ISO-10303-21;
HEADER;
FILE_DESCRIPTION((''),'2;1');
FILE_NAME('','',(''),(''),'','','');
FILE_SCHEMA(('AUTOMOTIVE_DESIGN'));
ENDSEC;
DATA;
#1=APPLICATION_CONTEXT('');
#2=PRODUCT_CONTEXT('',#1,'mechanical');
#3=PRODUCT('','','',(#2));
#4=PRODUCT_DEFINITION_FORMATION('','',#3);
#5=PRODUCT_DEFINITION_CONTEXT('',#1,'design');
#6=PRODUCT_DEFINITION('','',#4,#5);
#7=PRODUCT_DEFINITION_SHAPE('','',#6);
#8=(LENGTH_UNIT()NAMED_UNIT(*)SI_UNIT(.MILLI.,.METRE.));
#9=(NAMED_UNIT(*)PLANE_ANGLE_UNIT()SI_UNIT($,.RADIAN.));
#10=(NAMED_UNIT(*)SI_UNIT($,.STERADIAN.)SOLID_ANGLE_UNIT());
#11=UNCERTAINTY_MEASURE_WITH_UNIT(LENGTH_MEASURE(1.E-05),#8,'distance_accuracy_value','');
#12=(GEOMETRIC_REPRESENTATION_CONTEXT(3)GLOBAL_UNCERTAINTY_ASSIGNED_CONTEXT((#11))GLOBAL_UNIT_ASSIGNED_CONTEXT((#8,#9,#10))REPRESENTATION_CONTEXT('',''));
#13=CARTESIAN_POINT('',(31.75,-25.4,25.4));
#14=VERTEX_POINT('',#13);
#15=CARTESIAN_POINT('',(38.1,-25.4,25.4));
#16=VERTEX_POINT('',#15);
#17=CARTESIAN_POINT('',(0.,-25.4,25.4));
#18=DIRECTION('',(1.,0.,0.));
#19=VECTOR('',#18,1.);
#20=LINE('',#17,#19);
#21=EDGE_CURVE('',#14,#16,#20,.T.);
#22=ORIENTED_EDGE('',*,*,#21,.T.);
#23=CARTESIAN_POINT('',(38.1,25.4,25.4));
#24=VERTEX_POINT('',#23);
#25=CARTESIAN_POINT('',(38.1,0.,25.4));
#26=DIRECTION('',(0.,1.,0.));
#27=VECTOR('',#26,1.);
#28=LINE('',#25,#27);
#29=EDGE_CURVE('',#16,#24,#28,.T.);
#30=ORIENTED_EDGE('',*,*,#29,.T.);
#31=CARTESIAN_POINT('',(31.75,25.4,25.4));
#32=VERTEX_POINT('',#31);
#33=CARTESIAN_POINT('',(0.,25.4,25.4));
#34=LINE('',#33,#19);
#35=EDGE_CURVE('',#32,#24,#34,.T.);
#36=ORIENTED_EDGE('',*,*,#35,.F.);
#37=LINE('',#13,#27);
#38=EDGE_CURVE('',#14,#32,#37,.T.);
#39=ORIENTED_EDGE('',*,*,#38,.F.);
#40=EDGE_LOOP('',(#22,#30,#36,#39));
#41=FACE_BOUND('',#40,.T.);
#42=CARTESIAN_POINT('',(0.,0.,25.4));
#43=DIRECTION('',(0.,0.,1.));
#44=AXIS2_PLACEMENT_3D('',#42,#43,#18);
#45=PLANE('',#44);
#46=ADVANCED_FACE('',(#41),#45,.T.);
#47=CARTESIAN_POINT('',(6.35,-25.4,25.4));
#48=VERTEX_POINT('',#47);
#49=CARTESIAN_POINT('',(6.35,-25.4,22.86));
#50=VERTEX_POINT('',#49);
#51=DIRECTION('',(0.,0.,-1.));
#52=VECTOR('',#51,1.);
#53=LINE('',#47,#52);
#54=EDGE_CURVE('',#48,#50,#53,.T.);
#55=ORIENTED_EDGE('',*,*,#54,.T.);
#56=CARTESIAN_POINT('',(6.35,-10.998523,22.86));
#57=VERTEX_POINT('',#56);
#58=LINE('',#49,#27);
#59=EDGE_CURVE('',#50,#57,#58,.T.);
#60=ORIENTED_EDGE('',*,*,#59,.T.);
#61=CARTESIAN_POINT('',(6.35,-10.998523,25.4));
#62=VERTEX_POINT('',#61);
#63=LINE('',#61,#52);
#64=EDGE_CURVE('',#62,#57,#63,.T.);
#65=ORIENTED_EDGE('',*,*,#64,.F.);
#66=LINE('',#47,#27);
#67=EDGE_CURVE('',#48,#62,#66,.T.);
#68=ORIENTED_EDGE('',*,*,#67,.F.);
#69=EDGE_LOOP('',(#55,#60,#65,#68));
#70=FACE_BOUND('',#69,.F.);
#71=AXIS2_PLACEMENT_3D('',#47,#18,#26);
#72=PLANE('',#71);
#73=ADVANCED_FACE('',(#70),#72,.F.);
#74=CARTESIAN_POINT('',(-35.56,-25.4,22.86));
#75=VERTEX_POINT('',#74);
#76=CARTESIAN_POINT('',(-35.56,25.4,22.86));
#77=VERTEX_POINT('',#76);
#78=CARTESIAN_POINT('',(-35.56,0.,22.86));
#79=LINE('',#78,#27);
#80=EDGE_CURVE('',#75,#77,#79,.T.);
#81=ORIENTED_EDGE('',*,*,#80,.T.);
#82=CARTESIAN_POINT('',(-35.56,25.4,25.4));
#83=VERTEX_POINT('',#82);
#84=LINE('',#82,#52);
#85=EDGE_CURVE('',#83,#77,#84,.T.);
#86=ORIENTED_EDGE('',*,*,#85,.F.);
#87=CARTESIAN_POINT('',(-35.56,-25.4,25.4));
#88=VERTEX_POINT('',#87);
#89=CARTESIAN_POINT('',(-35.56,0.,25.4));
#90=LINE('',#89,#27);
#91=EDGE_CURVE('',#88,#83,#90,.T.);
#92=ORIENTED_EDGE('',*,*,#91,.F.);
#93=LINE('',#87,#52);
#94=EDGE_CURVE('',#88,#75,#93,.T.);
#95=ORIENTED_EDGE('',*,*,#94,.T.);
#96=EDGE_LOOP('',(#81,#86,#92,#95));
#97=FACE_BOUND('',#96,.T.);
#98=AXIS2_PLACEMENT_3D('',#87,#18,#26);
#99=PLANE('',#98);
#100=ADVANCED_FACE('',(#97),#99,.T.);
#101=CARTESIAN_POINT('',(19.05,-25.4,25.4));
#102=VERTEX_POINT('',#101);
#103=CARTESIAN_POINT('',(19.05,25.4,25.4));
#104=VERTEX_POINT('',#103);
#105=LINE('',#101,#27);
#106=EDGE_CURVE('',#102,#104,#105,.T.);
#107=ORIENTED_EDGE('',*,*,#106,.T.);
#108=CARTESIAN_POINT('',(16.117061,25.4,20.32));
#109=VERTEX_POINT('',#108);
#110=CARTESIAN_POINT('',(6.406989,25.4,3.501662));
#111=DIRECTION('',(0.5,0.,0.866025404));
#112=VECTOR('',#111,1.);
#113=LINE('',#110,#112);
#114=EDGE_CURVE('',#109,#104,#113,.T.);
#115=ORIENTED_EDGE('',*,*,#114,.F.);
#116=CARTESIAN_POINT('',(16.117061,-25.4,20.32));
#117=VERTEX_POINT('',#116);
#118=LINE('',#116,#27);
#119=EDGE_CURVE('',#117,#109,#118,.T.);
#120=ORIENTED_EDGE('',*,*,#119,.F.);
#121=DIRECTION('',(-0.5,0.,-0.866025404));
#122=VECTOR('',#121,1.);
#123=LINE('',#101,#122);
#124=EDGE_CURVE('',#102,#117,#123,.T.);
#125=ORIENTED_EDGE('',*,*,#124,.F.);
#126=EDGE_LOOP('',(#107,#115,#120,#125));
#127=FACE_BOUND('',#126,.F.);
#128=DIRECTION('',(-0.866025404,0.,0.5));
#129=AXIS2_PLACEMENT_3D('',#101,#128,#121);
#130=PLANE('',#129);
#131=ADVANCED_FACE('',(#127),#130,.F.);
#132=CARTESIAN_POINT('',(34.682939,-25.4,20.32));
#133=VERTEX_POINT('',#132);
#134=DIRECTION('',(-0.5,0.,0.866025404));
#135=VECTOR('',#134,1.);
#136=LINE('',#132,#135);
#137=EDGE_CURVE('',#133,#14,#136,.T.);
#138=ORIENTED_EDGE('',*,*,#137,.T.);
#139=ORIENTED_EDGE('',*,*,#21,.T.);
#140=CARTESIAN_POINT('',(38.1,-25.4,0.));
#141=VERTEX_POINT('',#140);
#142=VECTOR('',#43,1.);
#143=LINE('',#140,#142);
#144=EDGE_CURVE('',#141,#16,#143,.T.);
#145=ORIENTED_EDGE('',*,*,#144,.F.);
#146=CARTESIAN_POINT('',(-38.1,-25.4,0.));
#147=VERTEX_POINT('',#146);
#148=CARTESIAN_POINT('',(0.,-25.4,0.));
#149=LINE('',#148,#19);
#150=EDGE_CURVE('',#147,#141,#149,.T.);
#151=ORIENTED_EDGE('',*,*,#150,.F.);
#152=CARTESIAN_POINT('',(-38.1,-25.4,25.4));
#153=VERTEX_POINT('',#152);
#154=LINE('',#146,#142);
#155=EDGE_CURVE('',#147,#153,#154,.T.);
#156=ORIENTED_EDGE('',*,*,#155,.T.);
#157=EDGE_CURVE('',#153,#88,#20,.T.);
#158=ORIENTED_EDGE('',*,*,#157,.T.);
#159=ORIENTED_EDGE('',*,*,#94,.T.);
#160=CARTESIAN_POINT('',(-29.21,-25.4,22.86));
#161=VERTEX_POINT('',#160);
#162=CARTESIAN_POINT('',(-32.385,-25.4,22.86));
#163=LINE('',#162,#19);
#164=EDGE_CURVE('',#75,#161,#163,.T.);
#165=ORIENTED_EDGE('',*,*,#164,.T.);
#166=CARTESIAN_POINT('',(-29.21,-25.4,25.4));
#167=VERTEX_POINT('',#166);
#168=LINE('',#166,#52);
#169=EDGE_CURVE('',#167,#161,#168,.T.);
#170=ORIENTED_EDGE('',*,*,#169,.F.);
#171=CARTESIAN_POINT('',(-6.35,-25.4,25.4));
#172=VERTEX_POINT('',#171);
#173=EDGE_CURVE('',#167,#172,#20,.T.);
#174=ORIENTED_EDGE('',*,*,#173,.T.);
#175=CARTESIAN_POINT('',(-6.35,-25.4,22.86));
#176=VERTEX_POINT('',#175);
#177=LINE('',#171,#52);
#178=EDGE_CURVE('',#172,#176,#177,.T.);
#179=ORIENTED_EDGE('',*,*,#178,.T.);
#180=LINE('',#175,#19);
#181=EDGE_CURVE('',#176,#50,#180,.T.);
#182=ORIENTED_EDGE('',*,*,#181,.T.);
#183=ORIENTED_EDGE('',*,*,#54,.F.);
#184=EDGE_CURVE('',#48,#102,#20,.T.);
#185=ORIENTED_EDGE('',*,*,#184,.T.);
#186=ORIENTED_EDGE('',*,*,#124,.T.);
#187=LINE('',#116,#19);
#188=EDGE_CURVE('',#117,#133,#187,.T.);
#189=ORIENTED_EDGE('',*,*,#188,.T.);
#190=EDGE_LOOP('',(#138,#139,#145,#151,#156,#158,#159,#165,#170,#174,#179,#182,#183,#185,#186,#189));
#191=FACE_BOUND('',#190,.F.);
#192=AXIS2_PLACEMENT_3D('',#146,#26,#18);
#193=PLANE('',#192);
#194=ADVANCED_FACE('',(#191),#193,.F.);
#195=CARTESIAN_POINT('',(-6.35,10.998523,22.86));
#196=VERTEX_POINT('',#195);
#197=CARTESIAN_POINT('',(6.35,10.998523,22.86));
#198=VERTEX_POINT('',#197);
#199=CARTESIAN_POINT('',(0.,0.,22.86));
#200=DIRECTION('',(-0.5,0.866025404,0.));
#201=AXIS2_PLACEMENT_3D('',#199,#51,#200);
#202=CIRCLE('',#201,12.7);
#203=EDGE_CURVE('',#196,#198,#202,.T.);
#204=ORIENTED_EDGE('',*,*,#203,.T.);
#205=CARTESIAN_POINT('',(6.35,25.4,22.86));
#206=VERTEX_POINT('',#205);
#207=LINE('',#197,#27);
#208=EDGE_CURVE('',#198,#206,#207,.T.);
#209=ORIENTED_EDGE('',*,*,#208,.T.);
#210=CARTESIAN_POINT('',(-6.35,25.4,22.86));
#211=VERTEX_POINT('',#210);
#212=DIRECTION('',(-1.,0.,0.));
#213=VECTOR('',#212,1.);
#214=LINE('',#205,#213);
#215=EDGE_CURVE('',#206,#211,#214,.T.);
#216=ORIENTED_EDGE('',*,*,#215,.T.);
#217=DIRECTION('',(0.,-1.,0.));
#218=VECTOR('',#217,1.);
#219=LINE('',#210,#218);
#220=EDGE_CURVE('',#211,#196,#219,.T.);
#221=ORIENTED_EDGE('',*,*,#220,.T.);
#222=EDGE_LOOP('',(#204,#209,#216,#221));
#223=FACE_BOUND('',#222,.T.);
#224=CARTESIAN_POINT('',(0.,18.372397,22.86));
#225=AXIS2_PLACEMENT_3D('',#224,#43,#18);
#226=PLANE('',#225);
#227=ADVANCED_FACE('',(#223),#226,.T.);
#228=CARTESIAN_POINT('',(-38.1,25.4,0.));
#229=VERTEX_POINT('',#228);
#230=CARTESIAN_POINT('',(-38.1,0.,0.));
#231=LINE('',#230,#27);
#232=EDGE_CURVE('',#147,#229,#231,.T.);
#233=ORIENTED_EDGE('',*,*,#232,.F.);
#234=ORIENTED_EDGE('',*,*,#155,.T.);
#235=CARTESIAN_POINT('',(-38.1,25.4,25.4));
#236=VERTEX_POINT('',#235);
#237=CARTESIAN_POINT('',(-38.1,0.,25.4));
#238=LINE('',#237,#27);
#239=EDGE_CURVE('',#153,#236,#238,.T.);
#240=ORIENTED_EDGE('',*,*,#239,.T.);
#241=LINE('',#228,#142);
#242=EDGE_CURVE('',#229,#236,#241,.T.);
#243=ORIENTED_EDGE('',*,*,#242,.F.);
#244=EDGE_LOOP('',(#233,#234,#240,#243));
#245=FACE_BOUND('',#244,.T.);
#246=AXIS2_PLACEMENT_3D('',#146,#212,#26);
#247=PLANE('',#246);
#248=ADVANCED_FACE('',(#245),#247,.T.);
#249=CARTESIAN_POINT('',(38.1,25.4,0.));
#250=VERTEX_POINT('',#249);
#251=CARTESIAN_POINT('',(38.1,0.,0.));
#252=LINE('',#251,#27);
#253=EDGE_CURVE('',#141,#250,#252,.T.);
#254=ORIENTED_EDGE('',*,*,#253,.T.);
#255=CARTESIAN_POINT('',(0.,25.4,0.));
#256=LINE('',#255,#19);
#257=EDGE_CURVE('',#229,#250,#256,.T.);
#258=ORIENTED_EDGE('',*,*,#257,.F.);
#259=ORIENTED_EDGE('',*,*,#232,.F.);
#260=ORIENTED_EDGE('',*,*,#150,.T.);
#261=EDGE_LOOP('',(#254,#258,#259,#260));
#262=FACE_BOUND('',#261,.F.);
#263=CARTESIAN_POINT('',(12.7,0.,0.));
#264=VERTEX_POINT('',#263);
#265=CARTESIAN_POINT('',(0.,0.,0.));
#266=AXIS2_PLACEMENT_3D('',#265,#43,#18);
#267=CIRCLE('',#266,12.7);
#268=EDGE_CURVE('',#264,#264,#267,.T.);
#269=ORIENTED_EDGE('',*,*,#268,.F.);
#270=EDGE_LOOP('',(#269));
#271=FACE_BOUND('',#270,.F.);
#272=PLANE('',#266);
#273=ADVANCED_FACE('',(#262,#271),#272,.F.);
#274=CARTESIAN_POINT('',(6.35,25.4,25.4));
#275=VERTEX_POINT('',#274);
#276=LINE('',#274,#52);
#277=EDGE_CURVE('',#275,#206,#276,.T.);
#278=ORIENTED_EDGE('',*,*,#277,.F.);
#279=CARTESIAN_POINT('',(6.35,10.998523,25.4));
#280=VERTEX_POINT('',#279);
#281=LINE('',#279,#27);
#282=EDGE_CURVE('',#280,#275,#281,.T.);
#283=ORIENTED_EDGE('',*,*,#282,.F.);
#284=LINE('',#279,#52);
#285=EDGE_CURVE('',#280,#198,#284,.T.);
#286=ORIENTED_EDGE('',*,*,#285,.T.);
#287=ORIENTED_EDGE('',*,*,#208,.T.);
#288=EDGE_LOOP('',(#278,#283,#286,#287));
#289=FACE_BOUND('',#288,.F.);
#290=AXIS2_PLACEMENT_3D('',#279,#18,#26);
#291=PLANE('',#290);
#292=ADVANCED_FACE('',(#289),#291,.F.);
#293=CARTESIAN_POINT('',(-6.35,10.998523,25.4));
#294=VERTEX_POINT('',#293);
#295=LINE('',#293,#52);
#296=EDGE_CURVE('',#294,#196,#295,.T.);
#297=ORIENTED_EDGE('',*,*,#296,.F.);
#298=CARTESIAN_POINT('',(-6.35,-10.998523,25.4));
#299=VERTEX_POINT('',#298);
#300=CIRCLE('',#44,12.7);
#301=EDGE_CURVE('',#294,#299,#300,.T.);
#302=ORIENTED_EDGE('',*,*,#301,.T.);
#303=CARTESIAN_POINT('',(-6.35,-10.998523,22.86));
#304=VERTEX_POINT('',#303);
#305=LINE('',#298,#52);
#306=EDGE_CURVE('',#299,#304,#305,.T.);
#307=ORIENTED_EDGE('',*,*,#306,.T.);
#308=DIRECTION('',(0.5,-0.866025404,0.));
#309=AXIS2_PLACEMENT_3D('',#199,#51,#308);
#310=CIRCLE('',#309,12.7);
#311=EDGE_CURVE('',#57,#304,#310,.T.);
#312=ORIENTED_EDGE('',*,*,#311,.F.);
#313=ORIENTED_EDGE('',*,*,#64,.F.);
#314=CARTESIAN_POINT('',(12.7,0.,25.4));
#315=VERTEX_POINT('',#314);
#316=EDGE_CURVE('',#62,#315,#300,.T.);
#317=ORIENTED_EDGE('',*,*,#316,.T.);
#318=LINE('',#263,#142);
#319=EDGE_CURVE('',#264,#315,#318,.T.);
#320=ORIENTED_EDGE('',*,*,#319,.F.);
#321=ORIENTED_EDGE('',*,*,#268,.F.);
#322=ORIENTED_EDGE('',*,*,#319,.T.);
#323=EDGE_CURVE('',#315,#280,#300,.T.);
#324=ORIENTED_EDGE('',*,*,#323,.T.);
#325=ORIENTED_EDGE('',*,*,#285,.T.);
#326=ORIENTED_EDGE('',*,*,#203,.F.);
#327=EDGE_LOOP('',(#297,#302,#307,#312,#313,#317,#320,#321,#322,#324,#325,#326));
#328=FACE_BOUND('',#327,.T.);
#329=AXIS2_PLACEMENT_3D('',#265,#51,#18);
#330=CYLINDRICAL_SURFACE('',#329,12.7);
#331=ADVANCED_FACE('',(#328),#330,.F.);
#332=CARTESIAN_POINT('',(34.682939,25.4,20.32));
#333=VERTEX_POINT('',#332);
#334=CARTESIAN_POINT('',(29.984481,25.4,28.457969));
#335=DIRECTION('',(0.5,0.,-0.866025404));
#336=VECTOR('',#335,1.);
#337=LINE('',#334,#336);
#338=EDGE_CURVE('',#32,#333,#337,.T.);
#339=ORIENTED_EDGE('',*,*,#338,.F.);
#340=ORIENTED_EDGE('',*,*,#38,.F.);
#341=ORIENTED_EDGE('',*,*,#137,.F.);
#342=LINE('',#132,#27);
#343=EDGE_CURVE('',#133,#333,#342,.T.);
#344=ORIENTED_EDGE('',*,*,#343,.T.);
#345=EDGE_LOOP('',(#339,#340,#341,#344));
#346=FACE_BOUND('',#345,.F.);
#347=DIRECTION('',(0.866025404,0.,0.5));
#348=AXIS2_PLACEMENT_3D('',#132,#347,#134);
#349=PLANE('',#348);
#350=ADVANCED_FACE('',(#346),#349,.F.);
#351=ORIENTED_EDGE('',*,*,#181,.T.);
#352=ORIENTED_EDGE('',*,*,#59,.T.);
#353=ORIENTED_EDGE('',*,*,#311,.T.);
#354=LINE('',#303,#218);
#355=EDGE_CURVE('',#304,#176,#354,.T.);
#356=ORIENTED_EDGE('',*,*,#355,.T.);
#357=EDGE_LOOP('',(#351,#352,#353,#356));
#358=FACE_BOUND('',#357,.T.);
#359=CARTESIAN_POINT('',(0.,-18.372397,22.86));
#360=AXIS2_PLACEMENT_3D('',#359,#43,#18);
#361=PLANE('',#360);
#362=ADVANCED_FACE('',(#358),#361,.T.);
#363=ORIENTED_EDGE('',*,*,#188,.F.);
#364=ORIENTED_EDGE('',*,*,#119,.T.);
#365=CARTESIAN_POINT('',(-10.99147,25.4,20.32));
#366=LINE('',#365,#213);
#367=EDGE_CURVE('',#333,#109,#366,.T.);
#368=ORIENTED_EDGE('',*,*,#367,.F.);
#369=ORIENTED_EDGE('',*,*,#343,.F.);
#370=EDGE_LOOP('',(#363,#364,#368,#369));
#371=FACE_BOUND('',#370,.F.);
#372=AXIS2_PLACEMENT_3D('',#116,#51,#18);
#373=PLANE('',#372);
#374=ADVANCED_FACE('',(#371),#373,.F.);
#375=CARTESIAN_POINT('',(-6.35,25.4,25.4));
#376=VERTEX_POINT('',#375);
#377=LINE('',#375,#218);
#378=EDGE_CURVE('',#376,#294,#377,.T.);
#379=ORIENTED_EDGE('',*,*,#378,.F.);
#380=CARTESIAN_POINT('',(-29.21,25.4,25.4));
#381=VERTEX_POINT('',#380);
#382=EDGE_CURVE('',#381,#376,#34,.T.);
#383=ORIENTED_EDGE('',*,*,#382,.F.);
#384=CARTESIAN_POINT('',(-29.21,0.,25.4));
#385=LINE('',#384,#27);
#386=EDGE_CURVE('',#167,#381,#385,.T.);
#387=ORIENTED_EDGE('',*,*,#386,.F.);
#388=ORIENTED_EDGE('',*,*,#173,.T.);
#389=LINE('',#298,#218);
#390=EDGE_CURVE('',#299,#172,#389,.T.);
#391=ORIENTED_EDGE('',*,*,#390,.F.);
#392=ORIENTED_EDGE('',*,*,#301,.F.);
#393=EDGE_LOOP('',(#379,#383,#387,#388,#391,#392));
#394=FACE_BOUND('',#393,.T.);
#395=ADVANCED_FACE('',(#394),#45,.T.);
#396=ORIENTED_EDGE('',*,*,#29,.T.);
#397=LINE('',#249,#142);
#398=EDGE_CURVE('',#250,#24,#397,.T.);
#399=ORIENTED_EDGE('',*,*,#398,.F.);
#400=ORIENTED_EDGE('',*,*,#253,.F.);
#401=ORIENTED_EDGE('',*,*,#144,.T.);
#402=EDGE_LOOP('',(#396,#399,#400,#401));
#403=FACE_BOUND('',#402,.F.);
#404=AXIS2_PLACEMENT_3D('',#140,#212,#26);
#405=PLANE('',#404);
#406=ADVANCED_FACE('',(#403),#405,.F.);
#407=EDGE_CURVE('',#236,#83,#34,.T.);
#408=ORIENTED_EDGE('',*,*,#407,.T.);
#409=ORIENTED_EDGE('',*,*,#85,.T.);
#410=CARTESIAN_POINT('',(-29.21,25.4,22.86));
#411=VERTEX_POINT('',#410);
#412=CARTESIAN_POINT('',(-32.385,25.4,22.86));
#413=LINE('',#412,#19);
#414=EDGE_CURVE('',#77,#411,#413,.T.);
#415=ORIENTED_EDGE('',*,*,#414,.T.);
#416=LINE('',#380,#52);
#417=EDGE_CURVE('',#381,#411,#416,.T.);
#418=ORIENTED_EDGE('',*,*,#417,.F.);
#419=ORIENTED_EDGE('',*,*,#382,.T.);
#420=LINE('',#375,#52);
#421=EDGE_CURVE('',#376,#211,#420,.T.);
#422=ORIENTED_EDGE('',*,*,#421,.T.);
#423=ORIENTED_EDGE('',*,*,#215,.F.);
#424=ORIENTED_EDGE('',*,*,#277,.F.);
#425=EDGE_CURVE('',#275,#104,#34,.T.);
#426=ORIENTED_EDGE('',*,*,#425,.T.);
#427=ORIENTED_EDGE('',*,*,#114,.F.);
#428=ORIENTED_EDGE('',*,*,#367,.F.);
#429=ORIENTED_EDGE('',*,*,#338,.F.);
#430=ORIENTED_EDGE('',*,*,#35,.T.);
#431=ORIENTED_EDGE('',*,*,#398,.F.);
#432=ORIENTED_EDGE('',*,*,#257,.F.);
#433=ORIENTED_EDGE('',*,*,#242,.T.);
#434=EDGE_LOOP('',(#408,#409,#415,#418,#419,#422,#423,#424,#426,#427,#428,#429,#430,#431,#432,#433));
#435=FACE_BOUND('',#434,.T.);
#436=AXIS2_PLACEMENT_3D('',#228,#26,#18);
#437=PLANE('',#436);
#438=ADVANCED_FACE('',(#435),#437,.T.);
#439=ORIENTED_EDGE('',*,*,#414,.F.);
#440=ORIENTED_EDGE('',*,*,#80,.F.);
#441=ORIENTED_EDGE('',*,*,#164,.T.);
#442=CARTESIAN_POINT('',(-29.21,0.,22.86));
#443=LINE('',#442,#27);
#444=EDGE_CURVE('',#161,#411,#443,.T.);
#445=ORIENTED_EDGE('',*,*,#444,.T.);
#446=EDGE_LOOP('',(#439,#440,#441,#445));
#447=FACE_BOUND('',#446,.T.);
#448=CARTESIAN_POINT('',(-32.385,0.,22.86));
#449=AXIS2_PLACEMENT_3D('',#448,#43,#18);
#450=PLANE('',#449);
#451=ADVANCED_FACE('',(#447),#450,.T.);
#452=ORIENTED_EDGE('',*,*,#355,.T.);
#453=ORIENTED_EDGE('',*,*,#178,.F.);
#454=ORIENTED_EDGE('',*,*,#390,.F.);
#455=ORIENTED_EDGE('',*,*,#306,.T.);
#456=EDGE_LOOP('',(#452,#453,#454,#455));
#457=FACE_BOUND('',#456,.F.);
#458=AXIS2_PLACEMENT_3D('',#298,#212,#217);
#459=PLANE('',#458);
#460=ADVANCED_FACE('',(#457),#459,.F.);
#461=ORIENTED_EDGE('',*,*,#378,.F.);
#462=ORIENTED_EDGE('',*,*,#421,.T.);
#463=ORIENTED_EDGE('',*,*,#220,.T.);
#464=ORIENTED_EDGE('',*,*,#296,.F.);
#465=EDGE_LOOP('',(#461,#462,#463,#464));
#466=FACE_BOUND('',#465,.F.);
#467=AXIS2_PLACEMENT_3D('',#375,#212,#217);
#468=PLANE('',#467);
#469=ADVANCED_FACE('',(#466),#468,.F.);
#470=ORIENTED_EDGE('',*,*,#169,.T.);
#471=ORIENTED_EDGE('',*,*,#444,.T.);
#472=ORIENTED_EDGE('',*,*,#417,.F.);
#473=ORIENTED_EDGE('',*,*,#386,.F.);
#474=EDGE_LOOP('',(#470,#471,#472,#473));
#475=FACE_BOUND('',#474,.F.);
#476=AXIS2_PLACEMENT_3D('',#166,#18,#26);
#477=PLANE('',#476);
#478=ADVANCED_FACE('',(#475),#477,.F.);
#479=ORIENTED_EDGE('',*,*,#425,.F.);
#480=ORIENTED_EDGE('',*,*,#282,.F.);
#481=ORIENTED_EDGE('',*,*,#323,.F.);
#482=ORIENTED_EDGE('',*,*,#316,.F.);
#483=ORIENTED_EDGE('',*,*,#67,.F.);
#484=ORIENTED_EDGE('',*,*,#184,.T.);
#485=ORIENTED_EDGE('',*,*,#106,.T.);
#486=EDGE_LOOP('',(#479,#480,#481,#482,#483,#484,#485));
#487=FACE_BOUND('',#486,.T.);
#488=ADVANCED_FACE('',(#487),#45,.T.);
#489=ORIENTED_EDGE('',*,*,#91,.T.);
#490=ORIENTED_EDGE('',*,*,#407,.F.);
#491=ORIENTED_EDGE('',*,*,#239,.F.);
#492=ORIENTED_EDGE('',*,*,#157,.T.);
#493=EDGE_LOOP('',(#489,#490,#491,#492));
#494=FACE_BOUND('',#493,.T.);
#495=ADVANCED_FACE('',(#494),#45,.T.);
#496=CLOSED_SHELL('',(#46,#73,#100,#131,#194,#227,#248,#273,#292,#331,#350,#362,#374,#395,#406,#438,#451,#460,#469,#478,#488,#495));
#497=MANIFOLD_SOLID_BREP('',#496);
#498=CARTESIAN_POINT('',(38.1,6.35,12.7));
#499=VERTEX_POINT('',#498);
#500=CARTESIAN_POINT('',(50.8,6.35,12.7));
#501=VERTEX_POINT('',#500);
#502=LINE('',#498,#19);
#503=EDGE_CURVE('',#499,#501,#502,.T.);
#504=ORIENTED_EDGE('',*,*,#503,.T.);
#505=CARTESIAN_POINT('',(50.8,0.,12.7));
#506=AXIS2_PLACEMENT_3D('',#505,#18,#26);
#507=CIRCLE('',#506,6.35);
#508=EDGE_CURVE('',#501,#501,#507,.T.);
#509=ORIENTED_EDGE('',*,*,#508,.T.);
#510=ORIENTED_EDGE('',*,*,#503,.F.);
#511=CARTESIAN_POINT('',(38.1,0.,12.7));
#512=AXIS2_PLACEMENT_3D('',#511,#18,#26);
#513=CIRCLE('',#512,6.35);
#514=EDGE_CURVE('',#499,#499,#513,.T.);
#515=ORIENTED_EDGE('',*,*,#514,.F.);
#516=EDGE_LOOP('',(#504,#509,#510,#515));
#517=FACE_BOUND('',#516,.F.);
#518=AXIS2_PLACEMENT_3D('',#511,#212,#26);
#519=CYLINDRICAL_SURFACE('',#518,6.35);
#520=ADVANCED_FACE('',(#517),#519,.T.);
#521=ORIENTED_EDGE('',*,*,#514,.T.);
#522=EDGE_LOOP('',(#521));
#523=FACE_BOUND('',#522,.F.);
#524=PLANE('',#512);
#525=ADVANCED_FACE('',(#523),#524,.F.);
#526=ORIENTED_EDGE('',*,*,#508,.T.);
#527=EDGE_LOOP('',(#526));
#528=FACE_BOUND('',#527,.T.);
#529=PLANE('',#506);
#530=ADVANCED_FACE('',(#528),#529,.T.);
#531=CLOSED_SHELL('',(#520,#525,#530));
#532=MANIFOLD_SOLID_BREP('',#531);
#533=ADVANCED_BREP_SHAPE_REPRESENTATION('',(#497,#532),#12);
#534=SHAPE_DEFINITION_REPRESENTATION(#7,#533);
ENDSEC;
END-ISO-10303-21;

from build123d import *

# Parameters (mm, degrees)
F0_W     = 76.2
F0_H     = 50.8
F0_R     = 12.7
F1_DEPTH = 25.4
F2_W     = 6.35
F2_H     = 50.8
F3_DEPTH = 2.54
F5_DEPTH = 50.801
F6_R     = 6.35
F7_DEPTH = 12.7


with BuildPart() as f1:
    # F0 (on Top) → F1 (new body)
    with BuildSketch(Plane.XY):
        Rectangle(F0_W, F0_H)
        Circle(F0_R, mode=Mode.SUBTRACT)
    extrude(amount=F1_DEPTH)

    # F2 (on face) → F3 (cut)
    with BuildSketch(Plane.XY.offset(25.4)):
        with Locations((-32.385, 0)):
            Rectangle(F2_W, F2_H)
        with BuildLine():
            Line((6.35, 25.4), (-6.35, 25.4))
            Line((-6.35, 25.4), (-6.35, 10.9985226281))
            ThreePointArc((-6.35, 10.9985226281), (0, 12.7), (6.35, 10.9985226281))
            Line((6.35, 10.9985226281), (6.35, 25.4))
        make_face()
        with BuildLine():
            Line((-6.35, -10.9985226281), (-6.35, -25.4))
            Line((-6.35, -25.4), (6.35, -25.4))
            Line((6.35, -25.4), (6.35, -10.9985226281))
            ThreePointArc((6.35, -10.9985226281), (0, -12.7), (-6.35, -10.9985226281))
        make_face()
    extrude(amount=-F3_DEPTH, mode=Mode.SUBTRACT)

    # F4 (on face) → F5 (cut, through all)
    with BuildSketch(Plane.XZ.offset(25.4)):
        Polygon((31.75, 25.4), (19.05, 25.4), (16.1170606325, 20.32), (34.6829393675, 20.32), align=None)
    extrude(amount=-F5_DEPTH, mode=Mode.SUBTRACT)


with BuildPart() as f7:
    # F6 (on face) → F7 (new body)
    with BuildSketch(Plane.YZ.offset(38.1)):
        with Locations((0, 12.7)):
            Circle(F6_R)
    extrude(amount=F7_DEPTH)


solid = Compound([f1.part, f7.part])
